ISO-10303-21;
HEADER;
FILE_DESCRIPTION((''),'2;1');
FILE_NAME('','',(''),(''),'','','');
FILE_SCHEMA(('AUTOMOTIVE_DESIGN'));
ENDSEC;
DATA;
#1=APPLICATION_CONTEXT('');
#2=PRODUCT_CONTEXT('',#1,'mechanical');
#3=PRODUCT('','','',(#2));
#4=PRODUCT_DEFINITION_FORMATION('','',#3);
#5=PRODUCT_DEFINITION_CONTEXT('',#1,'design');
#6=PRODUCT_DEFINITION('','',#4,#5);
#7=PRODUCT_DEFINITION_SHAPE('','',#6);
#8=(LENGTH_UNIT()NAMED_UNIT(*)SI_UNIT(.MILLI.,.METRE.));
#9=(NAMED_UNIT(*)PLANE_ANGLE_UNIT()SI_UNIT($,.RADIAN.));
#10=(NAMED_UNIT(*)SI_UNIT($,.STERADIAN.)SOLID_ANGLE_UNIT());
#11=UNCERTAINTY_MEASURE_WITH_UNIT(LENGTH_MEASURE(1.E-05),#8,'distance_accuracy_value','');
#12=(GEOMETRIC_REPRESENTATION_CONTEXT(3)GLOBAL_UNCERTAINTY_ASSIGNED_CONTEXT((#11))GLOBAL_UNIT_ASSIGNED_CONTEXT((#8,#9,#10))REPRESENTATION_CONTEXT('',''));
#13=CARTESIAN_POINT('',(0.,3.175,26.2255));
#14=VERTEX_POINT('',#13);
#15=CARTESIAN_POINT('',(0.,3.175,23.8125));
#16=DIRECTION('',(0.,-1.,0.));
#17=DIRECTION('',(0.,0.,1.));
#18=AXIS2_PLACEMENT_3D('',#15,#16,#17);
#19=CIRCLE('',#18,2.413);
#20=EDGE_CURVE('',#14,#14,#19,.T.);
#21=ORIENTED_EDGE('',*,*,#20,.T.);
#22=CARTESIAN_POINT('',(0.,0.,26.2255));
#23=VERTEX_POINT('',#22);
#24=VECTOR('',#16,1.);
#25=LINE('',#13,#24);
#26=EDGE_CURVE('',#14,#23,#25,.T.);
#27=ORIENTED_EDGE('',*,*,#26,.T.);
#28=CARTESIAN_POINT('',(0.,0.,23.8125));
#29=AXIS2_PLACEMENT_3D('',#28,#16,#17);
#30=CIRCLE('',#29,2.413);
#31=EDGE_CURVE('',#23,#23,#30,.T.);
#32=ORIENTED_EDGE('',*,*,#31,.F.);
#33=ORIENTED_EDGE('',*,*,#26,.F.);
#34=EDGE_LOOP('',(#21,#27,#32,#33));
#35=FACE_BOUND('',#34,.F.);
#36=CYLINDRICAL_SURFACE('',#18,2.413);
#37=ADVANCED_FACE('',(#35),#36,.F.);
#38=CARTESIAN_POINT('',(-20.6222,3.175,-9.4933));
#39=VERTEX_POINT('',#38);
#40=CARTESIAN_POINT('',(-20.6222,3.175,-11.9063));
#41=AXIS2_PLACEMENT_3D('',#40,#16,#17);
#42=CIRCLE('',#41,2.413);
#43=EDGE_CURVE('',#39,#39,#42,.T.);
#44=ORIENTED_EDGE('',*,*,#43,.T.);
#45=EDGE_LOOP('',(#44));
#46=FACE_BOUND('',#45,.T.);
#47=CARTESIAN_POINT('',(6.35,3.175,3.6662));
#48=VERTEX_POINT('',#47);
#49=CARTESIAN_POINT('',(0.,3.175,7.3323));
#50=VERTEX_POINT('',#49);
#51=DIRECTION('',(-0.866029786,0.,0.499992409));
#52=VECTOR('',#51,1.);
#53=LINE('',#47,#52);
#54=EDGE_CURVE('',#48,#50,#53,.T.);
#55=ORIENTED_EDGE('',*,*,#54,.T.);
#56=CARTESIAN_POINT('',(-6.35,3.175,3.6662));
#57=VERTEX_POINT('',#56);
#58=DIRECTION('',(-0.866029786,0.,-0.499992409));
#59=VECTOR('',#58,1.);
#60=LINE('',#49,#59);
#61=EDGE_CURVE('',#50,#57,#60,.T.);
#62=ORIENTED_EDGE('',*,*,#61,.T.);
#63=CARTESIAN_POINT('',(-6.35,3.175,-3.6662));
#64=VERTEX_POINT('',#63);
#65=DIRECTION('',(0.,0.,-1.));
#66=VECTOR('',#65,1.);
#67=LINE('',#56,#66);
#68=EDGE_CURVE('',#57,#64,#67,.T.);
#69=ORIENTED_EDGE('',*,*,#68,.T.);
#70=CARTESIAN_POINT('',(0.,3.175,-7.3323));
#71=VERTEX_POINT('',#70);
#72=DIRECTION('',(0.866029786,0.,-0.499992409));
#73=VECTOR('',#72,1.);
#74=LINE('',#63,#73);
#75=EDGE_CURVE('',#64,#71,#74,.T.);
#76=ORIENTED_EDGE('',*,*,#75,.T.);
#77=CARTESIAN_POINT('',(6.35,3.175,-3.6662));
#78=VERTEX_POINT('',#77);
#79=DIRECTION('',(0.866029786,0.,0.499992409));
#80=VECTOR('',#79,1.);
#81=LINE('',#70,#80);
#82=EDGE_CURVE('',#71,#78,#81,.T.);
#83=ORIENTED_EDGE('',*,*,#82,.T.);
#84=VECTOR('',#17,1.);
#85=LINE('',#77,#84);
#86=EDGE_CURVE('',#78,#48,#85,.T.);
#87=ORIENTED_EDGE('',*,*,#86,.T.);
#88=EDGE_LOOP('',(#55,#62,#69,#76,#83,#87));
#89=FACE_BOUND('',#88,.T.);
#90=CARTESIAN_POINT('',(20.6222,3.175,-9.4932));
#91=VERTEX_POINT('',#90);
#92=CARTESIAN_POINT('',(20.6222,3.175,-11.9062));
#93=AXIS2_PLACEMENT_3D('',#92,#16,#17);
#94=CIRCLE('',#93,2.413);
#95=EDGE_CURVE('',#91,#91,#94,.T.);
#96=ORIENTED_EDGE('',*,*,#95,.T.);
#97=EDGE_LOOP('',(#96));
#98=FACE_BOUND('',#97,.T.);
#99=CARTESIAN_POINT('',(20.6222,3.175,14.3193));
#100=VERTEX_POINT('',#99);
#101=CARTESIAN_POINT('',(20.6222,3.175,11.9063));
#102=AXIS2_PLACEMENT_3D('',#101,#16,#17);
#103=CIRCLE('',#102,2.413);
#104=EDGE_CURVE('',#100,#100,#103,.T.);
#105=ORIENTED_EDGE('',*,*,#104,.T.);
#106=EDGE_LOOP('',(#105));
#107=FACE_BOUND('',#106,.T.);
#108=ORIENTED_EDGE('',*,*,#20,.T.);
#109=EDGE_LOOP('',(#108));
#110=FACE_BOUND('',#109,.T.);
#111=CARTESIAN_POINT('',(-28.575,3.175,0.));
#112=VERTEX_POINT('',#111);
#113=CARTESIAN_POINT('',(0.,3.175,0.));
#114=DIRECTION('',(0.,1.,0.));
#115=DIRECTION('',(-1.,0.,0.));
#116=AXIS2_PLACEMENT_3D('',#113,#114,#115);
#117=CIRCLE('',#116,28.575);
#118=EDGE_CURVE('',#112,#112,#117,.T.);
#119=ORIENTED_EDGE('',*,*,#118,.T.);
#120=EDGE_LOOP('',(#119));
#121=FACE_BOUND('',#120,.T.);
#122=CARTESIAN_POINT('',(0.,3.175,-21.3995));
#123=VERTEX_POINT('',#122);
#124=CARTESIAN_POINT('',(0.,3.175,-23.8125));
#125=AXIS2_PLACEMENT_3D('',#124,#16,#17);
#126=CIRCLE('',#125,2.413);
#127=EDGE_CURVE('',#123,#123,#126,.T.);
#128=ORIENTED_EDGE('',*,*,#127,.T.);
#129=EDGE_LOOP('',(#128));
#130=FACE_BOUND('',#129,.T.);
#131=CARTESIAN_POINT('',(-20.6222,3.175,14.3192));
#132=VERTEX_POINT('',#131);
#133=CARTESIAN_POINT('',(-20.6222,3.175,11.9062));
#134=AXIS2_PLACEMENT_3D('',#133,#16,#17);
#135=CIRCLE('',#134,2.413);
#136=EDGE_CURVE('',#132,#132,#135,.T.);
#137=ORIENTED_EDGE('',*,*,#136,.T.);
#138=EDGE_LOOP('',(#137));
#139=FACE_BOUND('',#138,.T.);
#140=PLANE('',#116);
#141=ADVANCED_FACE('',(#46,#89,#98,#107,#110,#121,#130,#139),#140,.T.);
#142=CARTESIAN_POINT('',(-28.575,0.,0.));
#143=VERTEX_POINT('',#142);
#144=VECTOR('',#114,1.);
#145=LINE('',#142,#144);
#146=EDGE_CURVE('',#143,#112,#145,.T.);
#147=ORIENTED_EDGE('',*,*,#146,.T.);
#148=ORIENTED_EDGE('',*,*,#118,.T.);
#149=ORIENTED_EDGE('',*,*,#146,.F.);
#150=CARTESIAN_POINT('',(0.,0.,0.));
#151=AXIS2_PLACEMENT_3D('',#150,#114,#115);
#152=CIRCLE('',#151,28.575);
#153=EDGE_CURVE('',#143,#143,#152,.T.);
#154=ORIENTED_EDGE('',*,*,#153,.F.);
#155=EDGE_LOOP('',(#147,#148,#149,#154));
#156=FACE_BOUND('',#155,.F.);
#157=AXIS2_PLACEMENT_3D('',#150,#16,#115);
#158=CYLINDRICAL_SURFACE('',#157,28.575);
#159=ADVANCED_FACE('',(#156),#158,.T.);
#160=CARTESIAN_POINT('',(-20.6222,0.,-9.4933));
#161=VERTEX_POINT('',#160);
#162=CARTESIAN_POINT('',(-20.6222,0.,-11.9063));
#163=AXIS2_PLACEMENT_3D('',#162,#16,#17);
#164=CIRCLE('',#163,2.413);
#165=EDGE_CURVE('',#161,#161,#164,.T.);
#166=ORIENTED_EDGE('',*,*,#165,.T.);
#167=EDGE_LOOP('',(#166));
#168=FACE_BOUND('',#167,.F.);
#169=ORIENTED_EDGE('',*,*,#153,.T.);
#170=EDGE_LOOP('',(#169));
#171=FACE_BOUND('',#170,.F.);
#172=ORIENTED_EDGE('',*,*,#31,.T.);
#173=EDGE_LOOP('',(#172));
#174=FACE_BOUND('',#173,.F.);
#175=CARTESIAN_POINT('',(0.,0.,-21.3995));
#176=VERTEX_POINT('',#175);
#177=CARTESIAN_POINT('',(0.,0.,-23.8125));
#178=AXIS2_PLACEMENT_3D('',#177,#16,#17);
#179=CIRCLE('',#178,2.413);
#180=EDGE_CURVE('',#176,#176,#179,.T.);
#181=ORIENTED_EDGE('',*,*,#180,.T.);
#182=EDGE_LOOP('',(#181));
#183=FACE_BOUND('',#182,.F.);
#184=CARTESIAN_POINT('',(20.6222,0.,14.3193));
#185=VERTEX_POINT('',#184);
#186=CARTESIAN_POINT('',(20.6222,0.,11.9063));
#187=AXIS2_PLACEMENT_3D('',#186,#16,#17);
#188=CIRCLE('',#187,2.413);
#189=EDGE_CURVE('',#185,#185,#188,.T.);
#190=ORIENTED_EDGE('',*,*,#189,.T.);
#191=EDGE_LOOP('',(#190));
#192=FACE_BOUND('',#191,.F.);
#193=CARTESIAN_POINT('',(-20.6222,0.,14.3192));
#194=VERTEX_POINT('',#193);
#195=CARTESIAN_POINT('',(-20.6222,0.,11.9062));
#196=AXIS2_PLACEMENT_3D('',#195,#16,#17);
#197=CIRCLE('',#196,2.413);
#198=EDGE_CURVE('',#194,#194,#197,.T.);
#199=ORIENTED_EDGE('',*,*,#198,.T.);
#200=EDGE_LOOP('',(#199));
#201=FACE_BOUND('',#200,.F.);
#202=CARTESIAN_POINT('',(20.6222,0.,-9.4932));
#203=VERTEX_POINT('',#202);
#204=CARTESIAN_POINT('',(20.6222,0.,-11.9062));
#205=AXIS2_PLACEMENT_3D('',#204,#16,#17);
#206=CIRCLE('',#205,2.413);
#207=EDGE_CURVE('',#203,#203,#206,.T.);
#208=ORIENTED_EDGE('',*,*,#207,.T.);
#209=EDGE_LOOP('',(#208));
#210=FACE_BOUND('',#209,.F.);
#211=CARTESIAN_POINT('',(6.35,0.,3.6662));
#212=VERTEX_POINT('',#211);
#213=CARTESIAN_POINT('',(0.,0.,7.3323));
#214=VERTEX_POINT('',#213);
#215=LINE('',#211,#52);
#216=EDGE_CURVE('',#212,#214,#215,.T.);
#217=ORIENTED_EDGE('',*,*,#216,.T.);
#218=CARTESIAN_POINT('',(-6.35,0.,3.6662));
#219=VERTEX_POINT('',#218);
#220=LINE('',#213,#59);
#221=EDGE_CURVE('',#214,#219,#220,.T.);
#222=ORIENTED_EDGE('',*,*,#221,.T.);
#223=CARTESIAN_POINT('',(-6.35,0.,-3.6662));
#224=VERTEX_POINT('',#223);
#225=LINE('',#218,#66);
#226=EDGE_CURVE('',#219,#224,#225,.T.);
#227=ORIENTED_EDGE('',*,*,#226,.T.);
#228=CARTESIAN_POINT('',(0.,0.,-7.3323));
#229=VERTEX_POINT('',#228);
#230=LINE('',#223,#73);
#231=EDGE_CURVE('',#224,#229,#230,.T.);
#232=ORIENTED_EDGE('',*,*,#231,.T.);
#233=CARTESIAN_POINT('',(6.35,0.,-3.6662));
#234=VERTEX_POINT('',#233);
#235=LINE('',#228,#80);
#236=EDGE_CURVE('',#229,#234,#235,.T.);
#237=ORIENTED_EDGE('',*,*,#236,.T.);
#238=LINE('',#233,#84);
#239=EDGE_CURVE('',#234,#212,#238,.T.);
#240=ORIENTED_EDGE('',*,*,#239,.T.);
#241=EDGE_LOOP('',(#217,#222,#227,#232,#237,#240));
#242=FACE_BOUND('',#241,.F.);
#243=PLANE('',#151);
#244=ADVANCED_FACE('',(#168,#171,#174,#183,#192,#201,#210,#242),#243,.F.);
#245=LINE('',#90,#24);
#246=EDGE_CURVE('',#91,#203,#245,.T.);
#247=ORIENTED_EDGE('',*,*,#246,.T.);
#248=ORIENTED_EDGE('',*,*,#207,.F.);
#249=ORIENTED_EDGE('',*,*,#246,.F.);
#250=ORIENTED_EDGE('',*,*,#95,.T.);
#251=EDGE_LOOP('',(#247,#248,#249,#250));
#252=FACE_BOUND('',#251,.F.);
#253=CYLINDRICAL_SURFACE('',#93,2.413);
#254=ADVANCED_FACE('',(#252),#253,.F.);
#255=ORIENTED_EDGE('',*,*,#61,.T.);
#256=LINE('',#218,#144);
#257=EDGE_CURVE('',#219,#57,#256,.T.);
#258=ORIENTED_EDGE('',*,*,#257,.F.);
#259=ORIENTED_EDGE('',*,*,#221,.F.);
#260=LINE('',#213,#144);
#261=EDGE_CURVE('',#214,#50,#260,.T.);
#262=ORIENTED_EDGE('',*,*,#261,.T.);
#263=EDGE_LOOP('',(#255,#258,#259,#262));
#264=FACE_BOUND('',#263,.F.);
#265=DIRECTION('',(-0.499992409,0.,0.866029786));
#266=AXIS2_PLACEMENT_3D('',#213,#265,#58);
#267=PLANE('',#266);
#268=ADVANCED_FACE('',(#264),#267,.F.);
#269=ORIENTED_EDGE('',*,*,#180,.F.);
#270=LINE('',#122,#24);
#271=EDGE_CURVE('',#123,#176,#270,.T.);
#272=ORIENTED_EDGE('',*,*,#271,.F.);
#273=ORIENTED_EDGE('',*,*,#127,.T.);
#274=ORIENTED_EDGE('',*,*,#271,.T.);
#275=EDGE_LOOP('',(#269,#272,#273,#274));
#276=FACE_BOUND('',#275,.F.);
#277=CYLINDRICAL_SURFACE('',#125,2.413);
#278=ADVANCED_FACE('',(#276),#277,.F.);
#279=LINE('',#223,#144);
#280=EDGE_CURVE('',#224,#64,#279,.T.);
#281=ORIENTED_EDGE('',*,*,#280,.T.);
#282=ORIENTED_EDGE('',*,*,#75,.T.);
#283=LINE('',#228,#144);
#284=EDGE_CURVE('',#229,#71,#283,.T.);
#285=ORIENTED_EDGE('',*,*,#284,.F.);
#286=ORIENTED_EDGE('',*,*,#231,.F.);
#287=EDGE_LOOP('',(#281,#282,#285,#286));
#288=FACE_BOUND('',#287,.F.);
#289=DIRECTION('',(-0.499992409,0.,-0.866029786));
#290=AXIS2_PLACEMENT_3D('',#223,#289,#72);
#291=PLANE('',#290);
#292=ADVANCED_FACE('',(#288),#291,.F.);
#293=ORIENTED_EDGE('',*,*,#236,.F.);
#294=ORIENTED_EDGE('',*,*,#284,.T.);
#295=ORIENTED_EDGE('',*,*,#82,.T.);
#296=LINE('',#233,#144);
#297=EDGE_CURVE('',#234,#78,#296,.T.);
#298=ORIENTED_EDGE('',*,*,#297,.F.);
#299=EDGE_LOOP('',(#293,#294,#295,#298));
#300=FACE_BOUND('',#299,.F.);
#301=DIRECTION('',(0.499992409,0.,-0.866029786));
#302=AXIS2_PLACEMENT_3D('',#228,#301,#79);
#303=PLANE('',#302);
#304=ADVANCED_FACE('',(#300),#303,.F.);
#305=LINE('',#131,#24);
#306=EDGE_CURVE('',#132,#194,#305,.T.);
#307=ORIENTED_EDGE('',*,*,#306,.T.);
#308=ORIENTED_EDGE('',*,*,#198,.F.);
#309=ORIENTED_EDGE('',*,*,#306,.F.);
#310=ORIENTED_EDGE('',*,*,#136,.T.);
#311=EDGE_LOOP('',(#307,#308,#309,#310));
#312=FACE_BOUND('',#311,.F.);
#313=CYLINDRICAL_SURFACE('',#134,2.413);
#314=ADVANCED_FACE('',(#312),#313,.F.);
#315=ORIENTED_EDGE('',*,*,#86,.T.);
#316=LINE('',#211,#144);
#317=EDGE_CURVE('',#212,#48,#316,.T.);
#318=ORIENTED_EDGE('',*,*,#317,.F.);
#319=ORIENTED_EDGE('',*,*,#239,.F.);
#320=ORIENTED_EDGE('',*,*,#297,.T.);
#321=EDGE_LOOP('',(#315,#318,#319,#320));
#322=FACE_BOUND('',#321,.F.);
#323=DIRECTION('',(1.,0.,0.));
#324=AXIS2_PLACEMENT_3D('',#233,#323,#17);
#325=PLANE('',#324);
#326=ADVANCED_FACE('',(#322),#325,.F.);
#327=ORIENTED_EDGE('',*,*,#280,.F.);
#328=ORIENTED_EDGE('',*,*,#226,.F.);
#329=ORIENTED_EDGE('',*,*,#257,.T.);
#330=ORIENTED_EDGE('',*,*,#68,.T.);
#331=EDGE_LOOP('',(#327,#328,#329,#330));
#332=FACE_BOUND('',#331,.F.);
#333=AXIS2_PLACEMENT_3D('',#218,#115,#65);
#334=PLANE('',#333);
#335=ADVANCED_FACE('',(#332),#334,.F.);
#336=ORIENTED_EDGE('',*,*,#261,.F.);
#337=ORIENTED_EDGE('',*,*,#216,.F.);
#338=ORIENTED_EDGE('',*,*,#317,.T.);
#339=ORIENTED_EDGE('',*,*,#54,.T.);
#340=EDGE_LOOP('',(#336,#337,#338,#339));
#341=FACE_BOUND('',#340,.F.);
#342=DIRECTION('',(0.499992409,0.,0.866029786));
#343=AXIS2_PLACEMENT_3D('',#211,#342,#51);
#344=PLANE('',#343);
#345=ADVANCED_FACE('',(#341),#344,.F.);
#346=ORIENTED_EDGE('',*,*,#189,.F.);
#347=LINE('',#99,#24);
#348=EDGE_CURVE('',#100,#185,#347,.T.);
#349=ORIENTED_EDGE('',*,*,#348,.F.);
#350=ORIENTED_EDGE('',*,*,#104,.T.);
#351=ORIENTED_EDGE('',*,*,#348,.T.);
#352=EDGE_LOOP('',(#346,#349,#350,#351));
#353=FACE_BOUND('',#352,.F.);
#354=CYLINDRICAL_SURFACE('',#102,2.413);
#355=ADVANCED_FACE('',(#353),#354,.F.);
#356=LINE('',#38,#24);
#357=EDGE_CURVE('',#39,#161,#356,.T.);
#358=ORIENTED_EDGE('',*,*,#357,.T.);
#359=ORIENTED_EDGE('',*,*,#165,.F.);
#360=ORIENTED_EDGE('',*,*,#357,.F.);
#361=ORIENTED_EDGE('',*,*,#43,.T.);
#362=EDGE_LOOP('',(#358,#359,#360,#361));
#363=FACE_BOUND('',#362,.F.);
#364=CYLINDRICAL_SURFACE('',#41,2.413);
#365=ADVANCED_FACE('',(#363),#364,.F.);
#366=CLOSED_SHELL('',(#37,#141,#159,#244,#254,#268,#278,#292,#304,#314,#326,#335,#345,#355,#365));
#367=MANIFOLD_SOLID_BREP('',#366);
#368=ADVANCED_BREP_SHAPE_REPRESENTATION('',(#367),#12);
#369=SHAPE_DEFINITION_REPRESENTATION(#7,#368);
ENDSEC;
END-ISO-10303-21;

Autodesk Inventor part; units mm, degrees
ref_plane "YZ Plane" through (0, 0, 0) normal (1, 0, 0) x (0, 1, 0)
ref_plane "XZ Plane" through (0, 0, 0) normal (0, 1, 0) x (-1, 0, 0)
ref_plane "XY Plane" through (0, 0, 0) normal (0, 0, 1) x (1, 0, 0)
sketch "Sketch1" plane through (0, 0, 0) normal (0, 1, 0) x (-1, 0, 0)
  line L0 (0, -7.3323) -> (-6.35, -3.6662)
  line L1 (-6.35, -3.6662) -> (-6.35, 3.6662)
  line L2 (-6.35, 3.6662) -> (0, 7.3323)
  line L3 (0, 7.3323) -> (6.35, 3.6662)
  line L4 (6.35, 3.6662) -> (6.35, -3.6662)
  line L5 (6.35, -3.6662) -> (0, -7.3323)
  circle A0 centre (0, 0) radius 28.575
  dimension "d0" = 12.7
  dimension "d2" = 57.15
extrude "Extrusion1" add sketch "Sketch1" along normal blind 3.175
sketch "Sketch2" plane through (0, 3.175, 0) normal (0, 1, 0) x (1, 0, 0)
  point P0 (0, 0)
  point P1 (0, 23.8125)
  point P2 (-20.6222, 11.9063)
  point P3 (-20.6222, -11.9062)
  point P4 (0, -23.8125)
  point P5 (20.6222, -11.9063)
  point P6 (20.6222, 11.9062)
  dimension "d5" = 23.8125
  dimension "d8" = 360
hole "Hole1" at (0, 3.175, -23.8125) at (-20.6222, 3.175, -11.9063) at (-20.6222, 3.175, 11.9062) at (0, 3.175, 23.8125) at (20.6222, 3.175, 11.9063) at (20.6222, 3.175, -11.9062) direction (0, -1, 0) diameter 4.826 end through all
sketch "Sketch3" plane through (0, 3.175, 0) normal (0, 1, 0) x (1, 0, 0)
  circle A0 centre (20.6222, -11.9063) radius 2.413 projected
  circle A1 centre (-20.6222, -11.9062) radius 2.413 projected
  circle A2 centre (0, 23.8125) radius 2.413 projected
  circle A3 centre (-20.6222, 11.9063) radius 2.413 projected
  circle A4 centre (0, -23.8125) radius 2.413 projected
  circle A5 centre (20.6222, 11.9062) radius 2.413 projected
  circle A6 centre (0, 0) radius 28.575 projected
  line L0 (0, -7.3323) -> (-6.35, -3.6662) projected
  line L1 (-6.35, -3.6662) -> (-6.35, 3.6662) projected
  line L2 (-6.35, 3.6662) -> (0, 7.3323) projected
  line L3 (0, 7.3323) -> (6.35, 3.6662) projected
  line L4 (6.35, 3.6662) -> (6.35, -3.6662) projected
  line L5 (6.35, -3.6662) -> (0, -7.3323) projected
  circle A7 centre (0, 23.8125) radius 5.588 construction
  circle A8 centre (20.6222, 11.9062) radius 5.588 construction
  circle A9 centre (20.6222, -11.9063) radius 5.588 construction
  circle A10 centre (0, -23.8125) radius 5.588 construction
  circle A11 centre (-20.6222, -11.9062) radius 5.588 construction
  circle A12 centre (-20.6222, 11.9063) radius 5.588 construction
  circle A13 centre (-11.1563, 19.3233) radius 6.4377 construction
  circle A14 centre (11.1563, 19.3233) radius 6.4377 construction
  circle A15 centre (11.1563, -19.3233) radius 6.4377 construction
  circle A16 centre (-11.1563, -19.3233) radius 6.4377 construction
  circle A17 centre (-22.3127, 0) radius 6.4377 construction
  circle A18 centre (22.3127, 0) radius 6.4377 construction
  circle A19 centre (0, 0) radius 15.875 construction
  arc A20 (-16.2237, 15.3528) -> (-21.4077, 6.3737) centre (-20.6222, 11.9063) ccw
  arc A21 (-21.4077, -6.3737) -> (-21.4077, 6.3737) centre (-22.3127, 0) ccw
  circle A22 centre (-20.6222, -11.9062) radius 2.413 projected
  arc A23 (-21.4077, -6.3737) -> (-16.2237, -15.3528) centre (-20.6222, -11.9062) ccw
  arc A24 (-5.184, -21.7265) -> (-16.2237, -15.3528) centre (-11.1563, -19.3233) ccw
  arc A25 (-5.184, -21.7265) -> (5.184, -21.7265) centre (0, -23.8125) ccw
  arc A26 (16.2237, -15.3528) -> (5.184, -21.7265) centre (11.1563, -19.3233) ccw
  arc A27 (16.2237, -15.3528) -> (21.4077, -6.3737) centre (20.6222, -11.9063) ccw
  arc A28 (21.4077, 6.3737) -> (21.4077, -6.3737) centre (22.3127, 0) ccw
  arc A29 (21.4077, 6.3737) -> (16.2237, 15.3528) centre (20.6222, 11.9062) ccw
  arc A30 (5.184, 21.7265) -> (16.2237, 15.3528) centre (11.1563, 19.3233) ccw
  arc A31 (5.184, 21.7265) -> (-5.184, 21.7265) centre (0, 23.8125) ccw
  arc A32 (-16.2237, 15.3528) -> (-5.184, 21.7265) centre (-11.1563, 19.3233) ccw
  dimension "d19" = 3.175
  dimension "d20" = 31.75
extrude "Extrusion2" [suppressed]
properties part number "InnerHexHub" material "Aluminum 6061"
